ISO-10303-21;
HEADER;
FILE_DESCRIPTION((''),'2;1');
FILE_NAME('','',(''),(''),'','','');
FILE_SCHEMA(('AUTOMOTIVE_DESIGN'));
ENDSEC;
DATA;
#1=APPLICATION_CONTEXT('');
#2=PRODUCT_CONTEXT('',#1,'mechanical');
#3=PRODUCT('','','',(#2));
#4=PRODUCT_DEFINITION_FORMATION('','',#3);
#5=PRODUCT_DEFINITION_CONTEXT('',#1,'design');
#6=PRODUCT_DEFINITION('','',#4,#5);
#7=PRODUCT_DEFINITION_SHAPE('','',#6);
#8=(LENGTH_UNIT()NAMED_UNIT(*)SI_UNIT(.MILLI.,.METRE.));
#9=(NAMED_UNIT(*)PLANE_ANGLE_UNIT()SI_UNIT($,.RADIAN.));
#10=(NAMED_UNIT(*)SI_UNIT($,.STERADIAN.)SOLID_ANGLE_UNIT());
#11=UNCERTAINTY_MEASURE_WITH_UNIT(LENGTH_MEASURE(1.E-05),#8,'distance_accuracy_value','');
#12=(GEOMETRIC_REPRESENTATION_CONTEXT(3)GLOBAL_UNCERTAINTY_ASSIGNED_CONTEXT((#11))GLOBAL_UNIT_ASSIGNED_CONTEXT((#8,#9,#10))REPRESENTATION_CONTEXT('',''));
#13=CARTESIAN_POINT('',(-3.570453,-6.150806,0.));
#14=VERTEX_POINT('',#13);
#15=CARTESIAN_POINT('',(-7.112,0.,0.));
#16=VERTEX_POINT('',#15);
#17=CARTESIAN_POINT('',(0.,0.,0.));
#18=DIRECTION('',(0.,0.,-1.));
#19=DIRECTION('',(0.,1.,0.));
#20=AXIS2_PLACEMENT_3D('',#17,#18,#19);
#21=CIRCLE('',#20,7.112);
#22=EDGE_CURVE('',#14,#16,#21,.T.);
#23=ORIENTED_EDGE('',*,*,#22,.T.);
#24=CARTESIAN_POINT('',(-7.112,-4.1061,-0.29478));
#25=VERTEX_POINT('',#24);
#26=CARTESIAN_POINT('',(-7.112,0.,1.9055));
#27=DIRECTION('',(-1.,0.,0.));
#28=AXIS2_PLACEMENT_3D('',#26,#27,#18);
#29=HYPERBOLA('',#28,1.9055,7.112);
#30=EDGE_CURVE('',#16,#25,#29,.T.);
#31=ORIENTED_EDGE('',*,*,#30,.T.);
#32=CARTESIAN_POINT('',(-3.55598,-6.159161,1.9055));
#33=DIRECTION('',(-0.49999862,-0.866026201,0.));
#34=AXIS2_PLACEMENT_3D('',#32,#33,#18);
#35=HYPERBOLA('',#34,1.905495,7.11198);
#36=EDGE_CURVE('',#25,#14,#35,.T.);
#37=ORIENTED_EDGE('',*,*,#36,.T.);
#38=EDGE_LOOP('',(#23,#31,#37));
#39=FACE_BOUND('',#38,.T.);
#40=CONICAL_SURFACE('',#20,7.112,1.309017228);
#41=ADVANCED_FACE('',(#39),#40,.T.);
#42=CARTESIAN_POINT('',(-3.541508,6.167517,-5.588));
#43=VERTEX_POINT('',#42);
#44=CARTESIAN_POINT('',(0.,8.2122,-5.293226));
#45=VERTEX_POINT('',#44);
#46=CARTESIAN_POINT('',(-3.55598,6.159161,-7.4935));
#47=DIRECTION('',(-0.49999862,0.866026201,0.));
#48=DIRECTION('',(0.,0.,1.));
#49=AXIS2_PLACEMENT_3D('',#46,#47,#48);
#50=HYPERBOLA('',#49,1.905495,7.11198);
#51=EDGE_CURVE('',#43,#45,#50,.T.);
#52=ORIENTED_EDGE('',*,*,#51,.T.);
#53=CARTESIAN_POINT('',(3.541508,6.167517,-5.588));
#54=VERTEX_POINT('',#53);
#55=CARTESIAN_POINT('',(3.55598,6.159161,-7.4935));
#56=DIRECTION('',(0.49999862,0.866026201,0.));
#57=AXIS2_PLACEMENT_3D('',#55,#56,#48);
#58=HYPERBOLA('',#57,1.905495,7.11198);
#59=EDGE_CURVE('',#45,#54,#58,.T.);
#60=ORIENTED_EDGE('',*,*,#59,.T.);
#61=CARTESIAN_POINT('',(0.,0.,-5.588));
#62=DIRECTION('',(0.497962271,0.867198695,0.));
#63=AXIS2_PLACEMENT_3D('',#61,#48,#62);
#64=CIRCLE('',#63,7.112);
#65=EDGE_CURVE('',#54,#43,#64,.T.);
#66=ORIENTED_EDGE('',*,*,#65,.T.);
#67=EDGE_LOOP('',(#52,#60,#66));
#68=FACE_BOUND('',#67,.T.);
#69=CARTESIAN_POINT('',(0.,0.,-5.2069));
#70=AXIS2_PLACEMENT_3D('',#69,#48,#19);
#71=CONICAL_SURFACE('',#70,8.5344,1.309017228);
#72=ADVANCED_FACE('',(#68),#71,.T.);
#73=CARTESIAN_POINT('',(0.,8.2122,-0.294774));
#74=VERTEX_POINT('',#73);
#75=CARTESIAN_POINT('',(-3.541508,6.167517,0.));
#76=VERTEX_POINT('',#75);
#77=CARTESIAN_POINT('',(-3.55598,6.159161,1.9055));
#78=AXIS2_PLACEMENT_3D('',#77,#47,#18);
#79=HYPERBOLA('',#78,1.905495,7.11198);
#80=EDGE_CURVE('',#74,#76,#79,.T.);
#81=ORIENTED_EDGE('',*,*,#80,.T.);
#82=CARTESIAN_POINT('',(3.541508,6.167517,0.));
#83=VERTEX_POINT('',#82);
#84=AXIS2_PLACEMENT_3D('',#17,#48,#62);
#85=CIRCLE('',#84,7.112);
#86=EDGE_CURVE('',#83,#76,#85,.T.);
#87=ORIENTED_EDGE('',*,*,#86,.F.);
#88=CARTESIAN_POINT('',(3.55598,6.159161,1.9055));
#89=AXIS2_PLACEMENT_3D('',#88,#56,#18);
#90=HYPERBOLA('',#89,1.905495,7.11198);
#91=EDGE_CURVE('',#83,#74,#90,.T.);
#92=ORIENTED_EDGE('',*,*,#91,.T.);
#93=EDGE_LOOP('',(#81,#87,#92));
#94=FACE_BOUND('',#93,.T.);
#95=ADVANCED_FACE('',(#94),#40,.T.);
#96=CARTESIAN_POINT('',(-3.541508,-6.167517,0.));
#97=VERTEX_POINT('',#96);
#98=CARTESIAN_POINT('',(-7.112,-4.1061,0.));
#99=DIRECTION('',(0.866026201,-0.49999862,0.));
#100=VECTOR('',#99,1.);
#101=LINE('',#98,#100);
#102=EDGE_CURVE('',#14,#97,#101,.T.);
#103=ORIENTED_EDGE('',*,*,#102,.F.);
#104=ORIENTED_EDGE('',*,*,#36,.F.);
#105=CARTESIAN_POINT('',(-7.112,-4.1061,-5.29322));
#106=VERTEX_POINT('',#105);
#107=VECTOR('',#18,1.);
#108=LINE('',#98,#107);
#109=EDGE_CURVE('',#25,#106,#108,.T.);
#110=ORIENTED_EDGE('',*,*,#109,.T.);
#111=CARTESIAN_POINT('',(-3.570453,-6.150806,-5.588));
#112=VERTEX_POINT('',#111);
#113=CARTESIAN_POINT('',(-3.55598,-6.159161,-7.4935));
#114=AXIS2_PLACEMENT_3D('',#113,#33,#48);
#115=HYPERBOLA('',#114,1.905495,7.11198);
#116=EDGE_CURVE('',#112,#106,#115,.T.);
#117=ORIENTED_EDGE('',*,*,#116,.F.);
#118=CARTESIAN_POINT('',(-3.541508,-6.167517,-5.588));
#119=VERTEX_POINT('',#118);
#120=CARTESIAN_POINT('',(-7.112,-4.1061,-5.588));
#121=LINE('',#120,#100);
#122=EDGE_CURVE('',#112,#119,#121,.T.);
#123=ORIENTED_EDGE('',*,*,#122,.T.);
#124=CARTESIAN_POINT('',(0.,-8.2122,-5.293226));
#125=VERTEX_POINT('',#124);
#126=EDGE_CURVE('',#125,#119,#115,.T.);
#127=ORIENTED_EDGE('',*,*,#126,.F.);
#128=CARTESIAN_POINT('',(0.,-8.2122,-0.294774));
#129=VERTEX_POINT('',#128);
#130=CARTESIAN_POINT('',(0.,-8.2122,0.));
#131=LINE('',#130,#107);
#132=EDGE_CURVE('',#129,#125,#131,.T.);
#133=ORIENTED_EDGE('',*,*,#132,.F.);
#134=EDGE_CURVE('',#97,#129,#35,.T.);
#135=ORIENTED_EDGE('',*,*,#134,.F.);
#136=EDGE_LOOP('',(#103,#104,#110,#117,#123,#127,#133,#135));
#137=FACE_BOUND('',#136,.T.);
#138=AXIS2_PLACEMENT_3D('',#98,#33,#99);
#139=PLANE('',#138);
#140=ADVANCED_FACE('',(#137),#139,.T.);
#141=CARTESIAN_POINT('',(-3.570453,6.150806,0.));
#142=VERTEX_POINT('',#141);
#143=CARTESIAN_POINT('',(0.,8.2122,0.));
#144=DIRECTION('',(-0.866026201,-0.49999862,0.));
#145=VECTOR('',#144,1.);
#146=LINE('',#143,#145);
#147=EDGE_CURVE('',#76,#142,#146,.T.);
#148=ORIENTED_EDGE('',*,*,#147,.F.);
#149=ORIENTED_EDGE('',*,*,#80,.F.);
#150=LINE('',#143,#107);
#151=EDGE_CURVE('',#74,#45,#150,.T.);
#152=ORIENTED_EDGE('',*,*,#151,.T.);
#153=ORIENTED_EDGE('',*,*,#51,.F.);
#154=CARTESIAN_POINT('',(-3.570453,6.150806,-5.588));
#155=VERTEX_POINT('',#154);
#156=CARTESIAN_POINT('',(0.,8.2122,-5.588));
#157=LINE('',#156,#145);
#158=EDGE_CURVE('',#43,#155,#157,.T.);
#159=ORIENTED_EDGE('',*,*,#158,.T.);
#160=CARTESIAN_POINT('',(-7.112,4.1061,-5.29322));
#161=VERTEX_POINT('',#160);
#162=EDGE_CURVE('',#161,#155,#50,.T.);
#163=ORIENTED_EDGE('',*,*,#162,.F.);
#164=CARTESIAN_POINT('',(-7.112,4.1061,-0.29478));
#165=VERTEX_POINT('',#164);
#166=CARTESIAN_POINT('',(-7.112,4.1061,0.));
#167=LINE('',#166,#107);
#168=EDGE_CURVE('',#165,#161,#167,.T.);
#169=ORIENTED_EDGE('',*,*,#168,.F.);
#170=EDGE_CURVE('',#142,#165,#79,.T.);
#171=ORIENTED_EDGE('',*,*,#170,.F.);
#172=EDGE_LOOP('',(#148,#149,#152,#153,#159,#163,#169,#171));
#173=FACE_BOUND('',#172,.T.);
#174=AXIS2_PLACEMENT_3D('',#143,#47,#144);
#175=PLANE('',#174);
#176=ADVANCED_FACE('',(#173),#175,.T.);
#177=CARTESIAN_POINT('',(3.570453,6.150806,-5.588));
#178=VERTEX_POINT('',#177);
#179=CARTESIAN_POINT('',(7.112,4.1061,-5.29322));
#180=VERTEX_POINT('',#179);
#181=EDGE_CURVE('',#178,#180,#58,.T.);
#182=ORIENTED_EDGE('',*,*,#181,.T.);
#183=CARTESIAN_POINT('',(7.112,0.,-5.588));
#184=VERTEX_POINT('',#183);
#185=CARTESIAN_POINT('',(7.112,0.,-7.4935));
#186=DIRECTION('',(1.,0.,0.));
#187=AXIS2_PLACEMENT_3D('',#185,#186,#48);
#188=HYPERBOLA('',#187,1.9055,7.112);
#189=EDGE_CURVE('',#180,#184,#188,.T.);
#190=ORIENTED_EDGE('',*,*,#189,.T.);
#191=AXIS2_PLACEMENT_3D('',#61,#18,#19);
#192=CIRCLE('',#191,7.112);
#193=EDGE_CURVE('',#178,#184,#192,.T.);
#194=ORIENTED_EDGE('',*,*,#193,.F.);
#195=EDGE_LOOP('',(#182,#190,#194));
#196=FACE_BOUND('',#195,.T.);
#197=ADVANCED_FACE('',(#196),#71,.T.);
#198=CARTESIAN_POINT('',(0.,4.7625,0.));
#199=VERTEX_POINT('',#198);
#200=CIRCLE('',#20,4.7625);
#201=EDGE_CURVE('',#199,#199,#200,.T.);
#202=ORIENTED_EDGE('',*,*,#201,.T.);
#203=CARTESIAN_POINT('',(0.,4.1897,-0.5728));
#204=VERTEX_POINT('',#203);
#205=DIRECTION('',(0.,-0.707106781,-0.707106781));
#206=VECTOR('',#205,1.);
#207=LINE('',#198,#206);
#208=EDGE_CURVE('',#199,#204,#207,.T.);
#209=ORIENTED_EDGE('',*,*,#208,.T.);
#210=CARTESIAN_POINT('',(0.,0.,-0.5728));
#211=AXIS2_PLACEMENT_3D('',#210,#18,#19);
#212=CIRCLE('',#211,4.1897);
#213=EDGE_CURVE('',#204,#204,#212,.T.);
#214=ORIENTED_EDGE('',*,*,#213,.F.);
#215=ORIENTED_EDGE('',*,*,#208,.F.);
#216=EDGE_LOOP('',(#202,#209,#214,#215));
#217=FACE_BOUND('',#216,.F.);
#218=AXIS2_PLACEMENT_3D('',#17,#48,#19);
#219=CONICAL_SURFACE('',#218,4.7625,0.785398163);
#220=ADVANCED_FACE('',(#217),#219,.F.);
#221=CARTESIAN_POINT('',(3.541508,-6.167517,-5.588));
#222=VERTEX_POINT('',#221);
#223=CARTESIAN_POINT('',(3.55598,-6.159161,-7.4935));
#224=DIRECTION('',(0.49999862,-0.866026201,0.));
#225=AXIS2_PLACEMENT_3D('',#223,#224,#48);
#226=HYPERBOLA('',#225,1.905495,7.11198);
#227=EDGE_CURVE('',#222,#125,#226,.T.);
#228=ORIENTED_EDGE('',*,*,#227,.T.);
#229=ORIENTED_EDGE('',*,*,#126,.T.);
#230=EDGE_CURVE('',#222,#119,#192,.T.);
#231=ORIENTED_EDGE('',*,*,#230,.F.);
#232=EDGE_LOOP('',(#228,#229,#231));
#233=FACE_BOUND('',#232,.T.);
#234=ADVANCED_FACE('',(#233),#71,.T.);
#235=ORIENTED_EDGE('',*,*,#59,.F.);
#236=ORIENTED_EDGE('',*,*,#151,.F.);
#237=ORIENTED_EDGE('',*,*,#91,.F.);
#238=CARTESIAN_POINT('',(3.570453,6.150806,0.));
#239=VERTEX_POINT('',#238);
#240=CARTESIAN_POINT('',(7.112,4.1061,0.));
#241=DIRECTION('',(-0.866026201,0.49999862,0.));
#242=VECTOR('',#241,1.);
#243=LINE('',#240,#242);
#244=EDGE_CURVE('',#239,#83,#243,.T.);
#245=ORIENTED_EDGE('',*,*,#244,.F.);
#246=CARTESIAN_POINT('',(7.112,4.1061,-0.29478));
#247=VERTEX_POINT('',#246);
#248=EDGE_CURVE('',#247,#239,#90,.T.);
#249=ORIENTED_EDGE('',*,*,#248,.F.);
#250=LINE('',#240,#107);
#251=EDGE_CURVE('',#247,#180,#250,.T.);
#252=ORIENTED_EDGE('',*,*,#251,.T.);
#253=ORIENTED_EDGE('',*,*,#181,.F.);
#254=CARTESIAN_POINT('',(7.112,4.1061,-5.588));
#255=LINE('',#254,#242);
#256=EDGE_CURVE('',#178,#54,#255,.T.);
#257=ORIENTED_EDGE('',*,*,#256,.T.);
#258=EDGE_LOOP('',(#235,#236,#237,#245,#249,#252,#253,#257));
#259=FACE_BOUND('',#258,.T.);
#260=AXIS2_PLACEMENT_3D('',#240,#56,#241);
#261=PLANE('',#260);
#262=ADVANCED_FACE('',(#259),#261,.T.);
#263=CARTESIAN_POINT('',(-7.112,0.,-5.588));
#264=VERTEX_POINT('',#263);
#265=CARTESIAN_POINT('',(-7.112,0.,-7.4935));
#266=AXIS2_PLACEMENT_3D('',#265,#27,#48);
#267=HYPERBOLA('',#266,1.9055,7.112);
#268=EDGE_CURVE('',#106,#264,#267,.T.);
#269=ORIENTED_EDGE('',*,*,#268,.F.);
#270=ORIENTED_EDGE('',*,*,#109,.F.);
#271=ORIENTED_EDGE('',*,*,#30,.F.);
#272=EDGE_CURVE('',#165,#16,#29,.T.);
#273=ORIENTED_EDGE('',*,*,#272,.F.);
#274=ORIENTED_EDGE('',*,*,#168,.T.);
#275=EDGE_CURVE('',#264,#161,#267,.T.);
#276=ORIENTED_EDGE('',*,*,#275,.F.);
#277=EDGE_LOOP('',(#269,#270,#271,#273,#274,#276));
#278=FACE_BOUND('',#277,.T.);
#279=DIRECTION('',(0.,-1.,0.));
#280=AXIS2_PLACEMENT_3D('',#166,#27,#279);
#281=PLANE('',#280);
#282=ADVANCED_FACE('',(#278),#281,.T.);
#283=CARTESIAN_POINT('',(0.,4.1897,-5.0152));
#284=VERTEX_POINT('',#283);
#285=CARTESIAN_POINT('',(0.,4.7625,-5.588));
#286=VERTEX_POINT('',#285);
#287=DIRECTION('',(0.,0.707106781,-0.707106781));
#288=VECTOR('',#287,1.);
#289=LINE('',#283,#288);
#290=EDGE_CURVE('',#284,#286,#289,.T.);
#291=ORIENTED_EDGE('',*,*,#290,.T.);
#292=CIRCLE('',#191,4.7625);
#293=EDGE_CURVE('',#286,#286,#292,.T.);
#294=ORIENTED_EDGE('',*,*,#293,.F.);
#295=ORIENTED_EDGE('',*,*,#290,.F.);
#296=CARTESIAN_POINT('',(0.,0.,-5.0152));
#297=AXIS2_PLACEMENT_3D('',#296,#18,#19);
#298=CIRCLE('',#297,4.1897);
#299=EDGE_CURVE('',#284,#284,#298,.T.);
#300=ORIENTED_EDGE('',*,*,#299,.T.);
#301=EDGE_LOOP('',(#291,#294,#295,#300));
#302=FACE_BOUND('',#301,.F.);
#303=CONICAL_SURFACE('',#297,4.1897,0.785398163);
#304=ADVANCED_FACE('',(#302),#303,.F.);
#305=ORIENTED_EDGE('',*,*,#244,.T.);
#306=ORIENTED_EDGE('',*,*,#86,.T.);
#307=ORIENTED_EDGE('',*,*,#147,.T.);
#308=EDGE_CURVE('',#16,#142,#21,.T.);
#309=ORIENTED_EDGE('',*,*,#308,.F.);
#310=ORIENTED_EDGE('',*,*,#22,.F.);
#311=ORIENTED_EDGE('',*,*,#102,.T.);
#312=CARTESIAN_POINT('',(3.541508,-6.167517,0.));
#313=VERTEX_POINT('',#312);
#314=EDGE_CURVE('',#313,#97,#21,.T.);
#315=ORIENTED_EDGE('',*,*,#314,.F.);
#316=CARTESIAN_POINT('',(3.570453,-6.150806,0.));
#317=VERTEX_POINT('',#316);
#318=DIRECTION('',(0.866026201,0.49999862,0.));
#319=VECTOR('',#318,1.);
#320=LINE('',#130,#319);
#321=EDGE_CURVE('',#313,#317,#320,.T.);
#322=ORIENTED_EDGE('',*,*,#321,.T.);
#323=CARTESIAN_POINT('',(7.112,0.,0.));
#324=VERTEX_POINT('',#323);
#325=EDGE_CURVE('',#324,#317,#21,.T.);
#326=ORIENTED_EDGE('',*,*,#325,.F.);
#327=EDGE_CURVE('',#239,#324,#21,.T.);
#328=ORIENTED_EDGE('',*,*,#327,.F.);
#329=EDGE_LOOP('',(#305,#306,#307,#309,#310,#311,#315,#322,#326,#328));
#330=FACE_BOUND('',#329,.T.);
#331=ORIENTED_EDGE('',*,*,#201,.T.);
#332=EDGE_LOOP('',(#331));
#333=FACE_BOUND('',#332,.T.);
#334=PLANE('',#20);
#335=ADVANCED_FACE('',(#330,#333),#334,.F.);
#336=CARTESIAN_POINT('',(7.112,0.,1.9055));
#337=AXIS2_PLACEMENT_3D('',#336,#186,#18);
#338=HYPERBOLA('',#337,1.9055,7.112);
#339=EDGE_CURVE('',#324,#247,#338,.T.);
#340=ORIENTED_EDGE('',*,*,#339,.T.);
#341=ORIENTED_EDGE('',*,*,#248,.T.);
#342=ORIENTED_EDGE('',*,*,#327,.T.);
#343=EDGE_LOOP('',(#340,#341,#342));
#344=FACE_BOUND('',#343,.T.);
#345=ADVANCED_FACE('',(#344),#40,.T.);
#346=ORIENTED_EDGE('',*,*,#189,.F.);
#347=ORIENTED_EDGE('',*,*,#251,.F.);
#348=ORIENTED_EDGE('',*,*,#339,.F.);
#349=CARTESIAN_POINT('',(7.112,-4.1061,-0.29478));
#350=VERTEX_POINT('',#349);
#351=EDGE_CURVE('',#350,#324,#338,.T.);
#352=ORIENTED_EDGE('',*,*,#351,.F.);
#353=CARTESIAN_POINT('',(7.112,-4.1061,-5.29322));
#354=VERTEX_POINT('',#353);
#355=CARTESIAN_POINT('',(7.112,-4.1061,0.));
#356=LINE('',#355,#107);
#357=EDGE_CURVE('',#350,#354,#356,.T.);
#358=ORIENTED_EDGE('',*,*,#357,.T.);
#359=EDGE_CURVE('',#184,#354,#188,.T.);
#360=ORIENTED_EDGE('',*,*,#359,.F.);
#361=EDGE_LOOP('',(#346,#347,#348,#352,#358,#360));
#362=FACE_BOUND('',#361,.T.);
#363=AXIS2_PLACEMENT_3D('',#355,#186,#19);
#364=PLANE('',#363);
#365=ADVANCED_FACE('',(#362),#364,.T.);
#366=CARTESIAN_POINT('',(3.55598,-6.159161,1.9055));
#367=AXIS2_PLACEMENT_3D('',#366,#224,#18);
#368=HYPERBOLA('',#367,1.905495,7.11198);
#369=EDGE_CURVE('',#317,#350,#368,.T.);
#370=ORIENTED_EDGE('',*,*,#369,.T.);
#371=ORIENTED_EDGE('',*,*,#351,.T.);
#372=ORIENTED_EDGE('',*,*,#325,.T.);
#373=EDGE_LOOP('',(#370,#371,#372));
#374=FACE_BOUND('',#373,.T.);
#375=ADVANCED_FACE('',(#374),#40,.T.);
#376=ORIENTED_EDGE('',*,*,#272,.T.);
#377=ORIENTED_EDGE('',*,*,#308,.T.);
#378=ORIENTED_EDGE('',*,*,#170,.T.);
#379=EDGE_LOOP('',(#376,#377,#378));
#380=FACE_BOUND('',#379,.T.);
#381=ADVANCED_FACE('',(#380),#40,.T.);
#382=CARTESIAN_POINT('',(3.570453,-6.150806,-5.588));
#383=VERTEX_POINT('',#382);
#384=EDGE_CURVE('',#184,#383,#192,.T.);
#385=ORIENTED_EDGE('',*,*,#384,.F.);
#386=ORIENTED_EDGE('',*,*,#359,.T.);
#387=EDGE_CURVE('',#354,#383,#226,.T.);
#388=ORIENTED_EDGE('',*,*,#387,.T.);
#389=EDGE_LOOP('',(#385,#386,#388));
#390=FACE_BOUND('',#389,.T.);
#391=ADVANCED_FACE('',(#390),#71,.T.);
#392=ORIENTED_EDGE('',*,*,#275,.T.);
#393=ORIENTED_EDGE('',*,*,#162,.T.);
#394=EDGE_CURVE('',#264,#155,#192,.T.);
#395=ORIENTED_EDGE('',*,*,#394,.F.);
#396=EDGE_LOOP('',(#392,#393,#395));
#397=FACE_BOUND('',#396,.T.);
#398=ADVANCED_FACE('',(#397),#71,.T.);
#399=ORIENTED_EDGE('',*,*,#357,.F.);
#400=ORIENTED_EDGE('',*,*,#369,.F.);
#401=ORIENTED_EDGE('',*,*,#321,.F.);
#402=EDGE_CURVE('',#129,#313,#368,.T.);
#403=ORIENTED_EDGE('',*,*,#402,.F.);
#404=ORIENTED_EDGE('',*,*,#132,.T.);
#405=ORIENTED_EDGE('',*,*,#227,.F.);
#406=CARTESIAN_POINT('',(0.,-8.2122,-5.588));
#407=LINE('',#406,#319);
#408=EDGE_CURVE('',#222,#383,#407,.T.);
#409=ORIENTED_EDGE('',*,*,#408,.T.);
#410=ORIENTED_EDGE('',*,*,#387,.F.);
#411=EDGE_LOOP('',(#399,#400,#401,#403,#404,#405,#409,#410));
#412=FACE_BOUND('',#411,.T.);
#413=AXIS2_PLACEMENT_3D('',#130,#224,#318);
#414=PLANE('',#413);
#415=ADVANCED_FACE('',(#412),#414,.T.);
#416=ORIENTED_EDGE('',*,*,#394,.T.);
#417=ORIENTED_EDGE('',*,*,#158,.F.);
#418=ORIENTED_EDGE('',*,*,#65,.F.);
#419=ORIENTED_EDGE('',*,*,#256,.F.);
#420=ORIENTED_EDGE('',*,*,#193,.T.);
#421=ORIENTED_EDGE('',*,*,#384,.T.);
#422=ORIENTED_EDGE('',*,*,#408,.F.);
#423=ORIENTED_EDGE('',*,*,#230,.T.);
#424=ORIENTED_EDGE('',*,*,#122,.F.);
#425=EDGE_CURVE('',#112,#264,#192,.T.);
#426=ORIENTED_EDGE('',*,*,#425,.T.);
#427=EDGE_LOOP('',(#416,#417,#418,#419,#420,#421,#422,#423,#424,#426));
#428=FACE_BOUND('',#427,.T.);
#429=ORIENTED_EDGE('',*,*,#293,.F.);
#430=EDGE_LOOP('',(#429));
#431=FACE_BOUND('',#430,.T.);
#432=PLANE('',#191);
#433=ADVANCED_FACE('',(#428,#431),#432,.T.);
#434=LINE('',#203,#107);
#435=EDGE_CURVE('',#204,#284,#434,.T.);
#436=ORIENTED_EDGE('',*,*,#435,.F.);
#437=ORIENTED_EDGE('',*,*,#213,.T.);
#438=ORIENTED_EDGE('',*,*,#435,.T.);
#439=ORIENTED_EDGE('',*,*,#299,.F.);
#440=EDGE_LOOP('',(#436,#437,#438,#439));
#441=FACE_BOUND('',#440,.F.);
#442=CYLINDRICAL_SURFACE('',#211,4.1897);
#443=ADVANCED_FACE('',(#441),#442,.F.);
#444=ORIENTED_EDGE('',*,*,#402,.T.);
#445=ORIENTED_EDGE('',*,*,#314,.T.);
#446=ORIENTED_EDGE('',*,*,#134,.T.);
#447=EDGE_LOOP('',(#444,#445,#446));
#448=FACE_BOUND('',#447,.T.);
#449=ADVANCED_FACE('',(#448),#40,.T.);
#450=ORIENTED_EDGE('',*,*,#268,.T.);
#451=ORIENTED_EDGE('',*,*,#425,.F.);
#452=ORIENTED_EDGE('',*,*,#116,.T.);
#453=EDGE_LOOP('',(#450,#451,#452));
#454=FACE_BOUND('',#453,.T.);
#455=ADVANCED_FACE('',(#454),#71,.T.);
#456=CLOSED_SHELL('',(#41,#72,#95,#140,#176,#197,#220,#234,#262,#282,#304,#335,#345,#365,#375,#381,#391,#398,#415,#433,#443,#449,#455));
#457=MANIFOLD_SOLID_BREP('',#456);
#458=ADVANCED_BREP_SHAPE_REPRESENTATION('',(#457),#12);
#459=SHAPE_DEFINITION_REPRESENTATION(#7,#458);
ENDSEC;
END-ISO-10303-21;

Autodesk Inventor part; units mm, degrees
sketch "Sketch_8" plane through (0, 0, 0) normal (1, 0, 0) x (0, 1, 0)
  line L0 (0, -5.588) -> (0, 0)
  line L1 (0, 0) -> (7.112, 0)
  line L2 (7.112, 0) -> (8.5344, -0.3811)
  line L3 (8.5344, -0.3811) -> (8.5344, -5.2069)
  line L4 (8.5344, -5.2069) -> (7.112, -5.588)
  line L5 (7.112, -5.588) -> (0, -5.588)
  line L6 (0, -5.588) -> (0, 0)
sketch "Sketch_10" plane through (0, 0, 0) normal (0, 0, 1) x (1, 0, 0)
  line L0 (-14.224, -14.224) -> (14.224, -14.224)
  line L1 (14.224, -14.224) -> (14.224, 14.224)
  line L2 (14.224, 14.224) -> (-14.224, 14.224)
  line L3 (-14.224, 14.224) -> (-14.224, -14.224)
  line L4 (-7.112, -4.1061) -> (0, -8.2122)
  line L5 (0, -8.2122) -> (7.112, -4.1061)
  line L6 (7.112, -4.1061) -> (7.112, 4.1061)
  line L7 (7.112, 4.1061) -> (0, 8.2122)
  line L8 (0, 8.2122) -> (-7.112, 4.1061)
  line L9 (-7.112, 4.1061) -> (-7.112, -4.1061)
revolve "Revolution1" add sketch "Sketch_8" angle 360 about axis through (0, 0, -5.588) along (0, 0, -1)
extrude "Extrusion1" cut sketch "Sketch_10" against normal blind 5.588
sketch "Sketch_11" plane through (0, 0, 0) normal (1, 0, 0) x (0, 1, 0)
  line L0 (0, -5.588) -> (0, 0)
  line L1 (0, 0) -> (4.7625, 0)
  line L2 (4.7625, 0) -> (4.1897, -0.5728)
  line L3 (4.1897, -0.5728) -> (4.1897, -5.0152)
  line L4 (4.1897, -5.0152) -> (4.7625, -5.588)
  line L5 (4.7625, -5.588) -> (0, -5.588)
  line L6 (0, -5.588) -> (0, 0)
revolve "Revolution2" cut sketch "Sketch_11" angle 360 about axis through (0, 0, -5.588) along (0, 0, -1)
thread "Thread1" size "3/8-24 UNF" class "2B" standard "ANSI Unified Screw Threads" full length
ref_plane "NUT_XY" through (0, 0, 0) normal (0, 0, 1) x (1, 0, 0)
ref_plane "NUT_YZ" through (0, 0, 0) normal (1, 0, 0) x (0, 1, 0)
ref_plane "NUT_ZX" through (0, 0, 0) normal (0, 1, 0) x (0, 0, 1)
ref_plane "a1_XY" through (-7.112, 7.112, 0) normal (0, 0, 1) x (1, 0, 0)
ref_plane "a1_YZ" through (-7.112, 7.112, 0) normal (1, 0, 0) x (0, 1, 0)
ref_plane "a1_ZX" through (-7.112, 7.112, 0) normal (0, 1, 0) x (0, 0, 1)
ref_plane "a2_XY" through (7.112, 7.112, 0) normal (0, 0, 1) x (1, 0, 0)
ref_plane "a2_YZ" through (7.112, 7.112, 0) normal (1, 0, 0) x (0, 1, 0)
ref_plane "a2_ZX" through (7.112, 7.112, 0) normal (0, 1, 0) x (0, 0, 1)
ref_plane "b1_XY" through (0, 7.112, 0) normal (1, 0, 0) x (0, 0, -1)
ref_plane "b1_YZ" through (0, 7.112, 0) normal (0, 0, -1) x (0, 1, 0)
ref_plane "b1_ZX" through (0, 7.112, 0) normal (0, 1, 0) x (1, 0, 0)
ref_plane "b2_XY" through (0, 7.112, -5.588) normal (1, 0, 0) x (0, 0, -1)
ref_plane "b2_YZ" through (0, 7.112, -5.588) normal (0, 0, -1) x (0, 1, 0)
ref_plane "b2_ZX" through (0, 7.112, -5.588) normal (0, 1, 0) x (1, 0, 0)
ref_plane "e_XY" through (0, 0, -5.588) normal (1, 0, 0) x (0, 0, -1)
ref_plane "e_YZ" through (0, 0, -5.588) normal (0, 0, -1) x (0, 1, 0)
ref_plane "e_ZX" through (0, 0, -5.588) normal (0, 1, 0) x (1, 0, 0)
ref_plane "ol1_XY" through (0, 0, -7.112) normal (0, 1, 0) x (1, 0, 0)
ref_plane "ol1_YZ" through (0, 0, -7.112) normal (1, 0, 0) x (0, 0, -1)
ref_plane "ol1_ZX" through (0, 0, -7.112) normal (0, 0, -1) x (0, 1, 0)
ref_plane "ol2_XY" through (5.588, 0, -7.112) normal (0, 1, 0) x (1, 0, 0)
ref_plane "ol2_YZ" through (5.588, 0, -7.112) normal (1, 0, 0) x (0, 0, -1)
ref_plane "ol2_ZX" through (5.588, 0, -7.112) normal (0, 0, -1) x (0, 1, 0)
ref_plane "th1_XY" through (0, 4.7625, -5.588) normal (1, 0, 0) x (0, 0, -1)
ref_plane "th1_YZ" through (0, 4.7625, -5.588) normal (0, 0, -1) x (0, 1, 0)
ref_plane "th1_ZX" through (0, 4.7625, -5.588) normal (0, 1, 0) x (1, 0, 0)
ref_plane "th2_XY" through (0, -4.7625, -5.588) normal (1, 0, 0) x (0, 0, -1)
ref_plane "th2_YZ" through (0, -4.7625, -5.588) normal (0, 0, -1) x (0, 1, 0)
ref_plane "th2_ZX" through (0, -4.7625, -5.588) normal (0, 1, 0) x (1, 0, 0)
properties part number "D-801"
